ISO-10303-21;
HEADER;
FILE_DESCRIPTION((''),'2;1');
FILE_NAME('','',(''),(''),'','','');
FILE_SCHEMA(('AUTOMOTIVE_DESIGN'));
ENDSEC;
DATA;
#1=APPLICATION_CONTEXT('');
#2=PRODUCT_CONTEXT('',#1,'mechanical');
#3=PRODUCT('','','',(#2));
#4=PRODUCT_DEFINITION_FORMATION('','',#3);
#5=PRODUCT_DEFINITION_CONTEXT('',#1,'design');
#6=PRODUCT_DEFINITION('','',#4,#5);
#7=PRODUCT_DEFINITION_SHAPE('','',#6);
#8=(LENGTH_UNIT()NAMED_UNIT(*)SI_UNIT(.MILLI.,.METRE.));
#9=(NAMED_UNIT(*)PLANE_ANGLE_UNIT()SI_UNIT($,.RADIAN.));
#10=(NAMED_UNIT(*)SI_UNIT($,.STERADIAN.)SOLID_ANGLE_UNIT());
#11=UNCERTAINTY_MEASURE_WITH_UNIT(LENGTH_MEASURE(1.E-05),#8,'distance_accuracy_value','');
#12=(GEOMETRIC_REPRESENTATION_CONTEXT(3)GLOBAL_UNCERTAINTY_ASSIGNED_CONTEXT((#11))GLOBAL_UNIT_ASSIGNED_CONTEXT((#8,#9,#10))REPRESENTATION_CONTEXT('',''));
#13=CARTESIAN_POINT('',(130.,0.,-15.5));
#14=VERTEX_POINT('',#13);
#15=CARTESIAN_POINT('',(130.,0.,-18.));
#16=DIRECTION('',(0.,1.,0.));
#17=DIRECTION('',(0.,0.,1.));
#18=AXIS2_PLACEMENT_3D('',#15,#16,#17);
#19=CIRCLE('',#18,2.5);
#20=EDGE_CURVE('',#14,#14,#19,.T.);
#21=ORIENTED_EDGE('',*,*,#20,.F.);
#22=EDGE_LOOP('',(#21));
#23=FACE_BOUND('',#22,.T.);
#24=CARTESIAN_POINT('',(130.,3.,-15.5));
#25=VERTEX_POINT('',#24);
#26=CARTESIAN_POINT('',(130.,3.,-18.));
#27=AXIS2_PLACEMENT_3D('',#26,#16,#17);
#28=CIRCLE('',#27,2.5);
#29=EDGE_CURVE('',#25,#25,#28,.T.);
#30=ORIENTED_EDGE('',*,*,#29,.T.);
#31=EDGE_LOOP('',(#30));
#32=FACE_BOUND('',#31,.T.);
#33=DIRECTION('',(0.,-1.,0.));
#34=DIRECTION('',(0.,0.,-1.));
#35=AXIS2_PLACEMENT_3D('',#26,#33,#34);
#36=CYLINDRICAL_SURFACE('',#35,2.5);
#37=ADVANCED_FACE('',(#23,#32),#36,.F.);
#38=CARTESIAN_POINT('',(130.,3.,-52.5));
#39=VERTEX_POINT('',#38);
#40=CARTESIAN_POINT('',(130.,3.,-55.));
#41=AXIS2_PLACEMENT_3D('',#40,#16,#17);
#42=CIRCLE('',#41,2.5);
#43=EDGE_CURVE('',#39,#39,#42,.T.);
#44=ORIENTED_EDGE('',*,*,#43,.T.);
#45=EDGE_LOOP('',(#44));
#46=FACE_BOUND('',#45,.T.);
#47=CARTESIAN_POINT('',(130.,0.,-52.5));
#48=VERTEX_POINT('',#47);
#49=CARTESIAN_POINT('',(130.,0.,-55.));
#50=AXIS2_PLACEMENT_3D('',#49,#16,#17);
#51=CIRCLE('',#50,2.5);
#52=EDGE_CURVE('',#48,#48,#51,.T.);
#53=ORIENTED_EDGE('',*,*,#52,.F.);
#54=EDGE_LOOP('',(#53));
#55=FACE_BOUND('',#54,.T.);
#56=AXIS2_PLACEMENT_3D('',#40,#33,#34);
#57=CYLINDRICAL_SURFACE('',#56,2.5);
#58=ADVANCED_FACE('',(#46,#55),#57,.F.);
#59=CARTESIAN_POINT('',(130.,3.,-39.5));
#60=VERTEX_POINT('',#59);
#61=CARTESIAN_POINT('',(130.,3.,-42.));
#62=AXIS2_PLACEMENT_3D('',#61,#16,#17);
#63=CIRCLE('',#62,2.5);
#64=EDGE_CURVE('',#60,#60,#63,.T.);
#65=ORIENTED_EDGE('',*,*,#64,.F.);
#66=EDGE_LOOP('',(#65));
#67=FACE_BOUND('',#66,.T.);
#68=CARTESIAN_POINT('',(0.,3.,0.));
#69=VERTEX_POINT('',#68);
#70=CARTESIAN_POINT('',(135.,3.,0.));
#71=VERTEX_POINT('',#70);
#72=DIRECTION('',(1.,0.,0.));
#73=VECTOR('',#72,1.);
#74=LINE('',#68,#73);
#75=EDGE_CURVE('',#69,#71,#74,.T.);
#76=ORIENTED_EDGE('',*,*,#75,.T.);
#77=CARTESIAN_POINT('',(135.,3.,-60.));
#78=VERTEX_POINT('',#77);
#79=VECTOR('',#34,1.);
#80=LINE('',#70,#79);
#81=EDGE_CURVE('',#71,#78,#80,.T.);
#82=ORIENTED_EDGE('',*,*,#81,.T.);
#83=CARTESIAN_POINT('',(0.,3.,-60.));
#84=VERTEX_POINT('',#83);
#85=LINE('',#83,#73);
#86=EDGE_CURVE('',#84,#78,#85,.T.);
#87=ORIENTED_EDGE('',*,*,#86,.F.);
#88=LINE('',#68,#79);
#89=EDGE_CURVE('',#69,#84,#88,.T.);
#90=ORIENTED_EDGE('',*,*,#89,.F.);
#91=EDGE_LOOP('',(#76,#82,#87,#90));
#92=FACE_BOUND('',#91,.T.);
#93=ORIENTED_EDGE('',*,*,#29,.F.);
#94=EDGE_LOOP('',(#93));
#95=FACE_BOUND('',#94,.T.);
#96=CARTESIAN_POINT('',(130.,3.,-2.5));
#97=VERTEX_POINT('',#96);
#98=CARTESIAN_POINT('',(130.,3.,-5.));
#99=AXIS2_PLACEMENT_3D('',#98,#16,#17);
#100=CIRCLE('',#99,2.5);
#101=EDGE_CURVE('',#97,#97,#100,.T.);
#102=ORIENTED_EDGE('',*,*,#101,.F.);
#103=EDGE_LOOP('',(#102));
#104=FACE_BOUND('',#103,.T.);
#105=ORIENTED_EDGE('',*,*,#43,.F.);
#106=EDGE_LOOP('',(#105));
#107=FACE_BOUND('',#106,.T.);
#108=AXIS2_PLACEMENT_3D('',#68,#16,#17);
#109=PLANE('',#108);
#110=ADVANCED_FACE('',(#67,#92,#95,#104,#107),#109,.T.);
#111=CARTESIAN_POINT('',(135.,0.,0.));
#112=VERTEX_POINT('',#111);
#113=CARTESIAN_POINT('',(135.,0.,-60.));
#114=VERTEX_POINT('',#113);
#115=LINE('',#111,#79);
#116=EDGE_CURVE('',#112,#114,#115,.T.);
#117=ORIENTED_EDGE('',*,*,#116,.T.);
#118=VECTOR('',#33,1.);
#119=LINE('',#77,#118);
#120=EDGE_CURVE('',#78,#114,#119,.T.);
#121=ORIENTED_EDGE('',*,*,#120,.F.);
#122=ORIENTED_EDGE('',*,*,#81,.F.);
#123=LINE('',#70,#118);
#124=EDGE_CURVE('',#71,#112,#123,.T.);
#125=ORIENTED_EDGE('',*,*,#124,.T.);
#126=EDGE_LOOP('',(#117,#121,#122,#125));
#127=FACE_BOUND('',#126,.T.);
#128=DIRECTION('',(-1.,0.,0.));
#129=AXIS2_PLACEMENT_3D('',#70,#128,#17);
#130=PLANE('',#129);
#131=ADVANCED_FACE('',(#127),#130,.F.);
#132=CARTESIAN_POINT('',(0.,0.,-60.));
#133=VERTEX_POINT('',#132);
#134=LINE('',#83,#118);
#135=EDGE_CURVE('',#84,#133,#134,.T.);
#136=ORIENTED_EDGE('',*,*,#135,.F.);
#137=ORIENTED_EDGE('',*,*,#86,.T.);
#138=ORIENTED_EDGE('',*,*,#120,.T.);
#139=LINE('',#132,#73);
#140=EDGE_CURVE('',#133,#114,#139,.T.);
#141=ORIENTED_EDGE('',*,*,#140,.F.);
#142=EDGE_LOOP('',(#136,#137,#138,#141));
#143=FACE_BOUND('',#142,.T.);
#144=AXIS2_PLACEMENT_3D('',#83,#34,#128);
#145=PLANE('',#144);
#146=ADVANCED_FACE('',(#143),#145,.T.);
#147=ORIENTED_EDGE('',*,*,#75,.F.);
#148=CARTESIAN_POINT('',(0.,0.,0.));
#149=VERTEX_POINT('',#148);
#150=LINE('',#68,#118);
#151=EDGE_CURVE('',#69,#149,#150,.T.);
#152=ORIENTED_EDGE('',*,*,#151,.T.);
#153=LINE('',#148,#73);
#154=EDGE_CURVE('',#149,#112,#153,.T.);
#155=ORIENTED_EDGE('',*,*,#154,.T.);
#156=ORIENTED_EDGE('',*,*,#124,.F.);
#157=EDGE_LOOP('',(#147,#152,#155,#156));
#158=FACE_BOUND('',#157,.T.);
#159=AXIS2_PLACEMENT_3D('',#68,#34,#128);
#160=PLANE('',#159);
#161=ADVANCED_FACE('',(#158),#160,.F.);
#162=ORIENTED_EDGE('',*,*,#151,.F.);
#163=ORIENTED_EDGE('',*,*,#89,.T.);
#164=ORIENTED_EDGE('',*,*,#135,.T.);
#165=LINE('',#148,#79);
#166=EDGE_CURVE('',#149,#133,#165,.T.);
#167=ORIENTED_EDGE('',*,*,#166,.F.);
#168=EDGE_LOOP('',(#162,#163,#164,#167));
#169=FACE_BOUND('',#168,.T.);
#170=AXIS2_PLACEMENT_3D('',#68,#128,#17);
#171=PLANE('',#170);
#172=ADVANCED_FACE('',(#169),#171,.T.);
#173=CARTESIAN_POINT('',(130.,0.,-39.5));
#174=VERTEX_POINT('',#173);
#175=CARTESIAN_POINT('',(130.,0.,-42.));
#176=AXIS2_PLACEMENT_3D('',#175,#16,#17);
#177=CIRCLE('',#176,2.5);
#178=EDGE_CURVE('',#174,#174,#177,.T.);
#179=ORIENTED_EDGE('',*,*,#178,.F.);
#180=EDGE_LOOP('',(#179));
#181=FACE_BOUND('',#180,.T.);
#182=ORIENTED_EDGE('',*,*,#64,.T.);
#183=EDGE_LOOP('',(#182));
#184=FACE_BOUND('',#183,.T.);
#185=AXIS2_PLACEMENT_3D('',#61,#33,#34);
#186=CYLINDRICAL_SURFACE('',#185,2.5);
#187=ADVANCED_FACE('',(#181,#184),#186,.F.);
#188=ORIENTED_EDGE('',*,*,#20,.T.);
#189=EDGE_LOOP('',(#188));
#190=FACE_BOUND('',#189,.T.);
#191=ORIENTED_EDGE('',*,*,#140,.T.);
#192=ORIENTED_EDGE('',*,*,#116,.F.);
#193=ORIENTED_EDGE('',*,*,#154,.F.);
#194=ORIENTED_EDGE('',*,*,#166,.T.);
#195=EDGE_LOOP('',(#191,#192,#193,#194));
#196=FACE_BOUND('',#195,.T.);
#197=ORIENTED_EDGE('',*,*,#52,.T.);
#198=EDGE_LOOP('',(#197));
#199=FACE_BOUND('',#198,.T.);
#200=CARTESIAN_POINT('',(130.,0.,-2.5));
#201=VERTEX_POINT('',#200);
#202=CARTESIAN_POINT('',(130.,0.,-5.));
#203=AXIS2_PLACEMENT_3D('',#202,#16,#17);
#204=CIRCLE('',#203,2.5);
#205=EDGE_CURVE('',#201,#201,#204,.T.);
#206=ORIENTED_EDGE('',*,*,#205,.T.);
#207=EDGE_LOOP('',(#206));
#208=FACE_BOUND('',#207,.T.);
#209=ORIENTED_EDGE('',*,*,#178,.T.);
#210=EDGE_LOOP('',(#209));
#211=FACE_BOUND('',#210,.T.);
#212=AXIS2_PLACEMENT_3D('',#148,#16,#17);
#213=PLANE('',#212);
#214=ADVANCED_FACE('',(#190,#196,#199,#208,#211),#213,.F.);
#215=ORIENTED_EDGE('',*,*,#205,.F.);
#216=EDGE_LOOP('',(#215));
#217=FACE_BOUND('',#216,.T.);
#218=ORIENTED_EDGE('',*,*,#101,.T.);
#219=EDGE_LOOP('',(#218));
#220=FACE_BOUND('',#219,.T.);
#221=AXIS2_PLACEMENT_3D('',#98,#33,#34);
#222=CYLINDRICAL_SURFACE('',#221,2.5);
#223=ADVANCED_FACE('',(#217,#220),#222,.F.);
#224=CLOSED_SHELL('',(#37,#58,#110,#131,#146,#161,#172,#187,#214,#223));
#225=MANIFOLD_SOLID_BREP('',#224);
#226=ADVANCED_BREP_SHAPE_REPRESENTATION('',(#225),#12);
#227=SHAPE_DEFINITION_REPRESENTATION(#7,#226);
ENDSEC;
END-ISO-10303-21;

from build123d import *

# Parameters (mm, degrees)
BOSS_EXTRUDE1_DEPTH = 3


with BuildPart() as part:
    # Sketch1 → Boss-Extrude1 (new body)
    with BuildSketch(Plane(origin=(0, 0, 0), x_dir=(1, 0, 0), z_dir=(0, 1, 0))):
        with BuildLine():
            Line((130, 57.5), (130, 60))
            Line((130, 60), (0, 60))
            Line((0, 60), (0, 0))
            Line((0, 0), (130, 0))
            Line((130, 0), (130, 2.5))
            ThreePointArc((130, 2.5), (127.5, 5), (130, 7.5))
            Line((130, 7.5), (130, 15.5))
            ThreePointArc((130, 15.5), (127.5, 18), (130, 20.5))
            Line((130, 20.5), (130, 39.5))
            ThreePointArc((130, 39.5), (127.5, 42), (130, 44.5))
            Line((130, 44.5), (130, 52.5))
            ThreePointArc((130, 52.5), (127.5, 55), (130, 57.5))
        make_face()
        with BuildLine():
            Line((135, 60), (130, 60))
            Line((130, 60), (130, 57.5))
            ThreePointArc((130, 57.5), (131.767766953, 56.767766953), (132.5, 55))
            ThreePointArc((132.5, 55), (131.767766953, 53.232233047), (130, 52.5))
            Line((130, 52.5), (130, 44.5))
            ThreePointArc((130, 44.5), (131.767766953, 43.767766953), (132.5, 42))
            ThreePointArc((132.5, 42), (131.767766953, 40.232233047), (130, 39.5))
            Line((130, 39.5), (130, 20.5))
            ThreePointArc((130, 20.5), (131.767766953, 19.767766953), (132.5, 18))
            ThreePointArc((132.5, 18), (131.767766953, 16.232233047), (130, 15.5))
            Line((130, 15.5), (130, 7.5))
            ThreePointArc((130, 7.5), (131.767766953, 6.767766953), (132.5, 5))
            ThreePointArc((132.5, 5), (131.767766953, 3.232233047), (130, 2.5))
            Line((130, 2.5), (130, 0))
            Line((130, 0), (135, 0))
            Line((135, 0), (135, 60))
        make_face()
    extrude(amount=BOSS_EXTRUDE1_DEPTH)


solid = part.part
